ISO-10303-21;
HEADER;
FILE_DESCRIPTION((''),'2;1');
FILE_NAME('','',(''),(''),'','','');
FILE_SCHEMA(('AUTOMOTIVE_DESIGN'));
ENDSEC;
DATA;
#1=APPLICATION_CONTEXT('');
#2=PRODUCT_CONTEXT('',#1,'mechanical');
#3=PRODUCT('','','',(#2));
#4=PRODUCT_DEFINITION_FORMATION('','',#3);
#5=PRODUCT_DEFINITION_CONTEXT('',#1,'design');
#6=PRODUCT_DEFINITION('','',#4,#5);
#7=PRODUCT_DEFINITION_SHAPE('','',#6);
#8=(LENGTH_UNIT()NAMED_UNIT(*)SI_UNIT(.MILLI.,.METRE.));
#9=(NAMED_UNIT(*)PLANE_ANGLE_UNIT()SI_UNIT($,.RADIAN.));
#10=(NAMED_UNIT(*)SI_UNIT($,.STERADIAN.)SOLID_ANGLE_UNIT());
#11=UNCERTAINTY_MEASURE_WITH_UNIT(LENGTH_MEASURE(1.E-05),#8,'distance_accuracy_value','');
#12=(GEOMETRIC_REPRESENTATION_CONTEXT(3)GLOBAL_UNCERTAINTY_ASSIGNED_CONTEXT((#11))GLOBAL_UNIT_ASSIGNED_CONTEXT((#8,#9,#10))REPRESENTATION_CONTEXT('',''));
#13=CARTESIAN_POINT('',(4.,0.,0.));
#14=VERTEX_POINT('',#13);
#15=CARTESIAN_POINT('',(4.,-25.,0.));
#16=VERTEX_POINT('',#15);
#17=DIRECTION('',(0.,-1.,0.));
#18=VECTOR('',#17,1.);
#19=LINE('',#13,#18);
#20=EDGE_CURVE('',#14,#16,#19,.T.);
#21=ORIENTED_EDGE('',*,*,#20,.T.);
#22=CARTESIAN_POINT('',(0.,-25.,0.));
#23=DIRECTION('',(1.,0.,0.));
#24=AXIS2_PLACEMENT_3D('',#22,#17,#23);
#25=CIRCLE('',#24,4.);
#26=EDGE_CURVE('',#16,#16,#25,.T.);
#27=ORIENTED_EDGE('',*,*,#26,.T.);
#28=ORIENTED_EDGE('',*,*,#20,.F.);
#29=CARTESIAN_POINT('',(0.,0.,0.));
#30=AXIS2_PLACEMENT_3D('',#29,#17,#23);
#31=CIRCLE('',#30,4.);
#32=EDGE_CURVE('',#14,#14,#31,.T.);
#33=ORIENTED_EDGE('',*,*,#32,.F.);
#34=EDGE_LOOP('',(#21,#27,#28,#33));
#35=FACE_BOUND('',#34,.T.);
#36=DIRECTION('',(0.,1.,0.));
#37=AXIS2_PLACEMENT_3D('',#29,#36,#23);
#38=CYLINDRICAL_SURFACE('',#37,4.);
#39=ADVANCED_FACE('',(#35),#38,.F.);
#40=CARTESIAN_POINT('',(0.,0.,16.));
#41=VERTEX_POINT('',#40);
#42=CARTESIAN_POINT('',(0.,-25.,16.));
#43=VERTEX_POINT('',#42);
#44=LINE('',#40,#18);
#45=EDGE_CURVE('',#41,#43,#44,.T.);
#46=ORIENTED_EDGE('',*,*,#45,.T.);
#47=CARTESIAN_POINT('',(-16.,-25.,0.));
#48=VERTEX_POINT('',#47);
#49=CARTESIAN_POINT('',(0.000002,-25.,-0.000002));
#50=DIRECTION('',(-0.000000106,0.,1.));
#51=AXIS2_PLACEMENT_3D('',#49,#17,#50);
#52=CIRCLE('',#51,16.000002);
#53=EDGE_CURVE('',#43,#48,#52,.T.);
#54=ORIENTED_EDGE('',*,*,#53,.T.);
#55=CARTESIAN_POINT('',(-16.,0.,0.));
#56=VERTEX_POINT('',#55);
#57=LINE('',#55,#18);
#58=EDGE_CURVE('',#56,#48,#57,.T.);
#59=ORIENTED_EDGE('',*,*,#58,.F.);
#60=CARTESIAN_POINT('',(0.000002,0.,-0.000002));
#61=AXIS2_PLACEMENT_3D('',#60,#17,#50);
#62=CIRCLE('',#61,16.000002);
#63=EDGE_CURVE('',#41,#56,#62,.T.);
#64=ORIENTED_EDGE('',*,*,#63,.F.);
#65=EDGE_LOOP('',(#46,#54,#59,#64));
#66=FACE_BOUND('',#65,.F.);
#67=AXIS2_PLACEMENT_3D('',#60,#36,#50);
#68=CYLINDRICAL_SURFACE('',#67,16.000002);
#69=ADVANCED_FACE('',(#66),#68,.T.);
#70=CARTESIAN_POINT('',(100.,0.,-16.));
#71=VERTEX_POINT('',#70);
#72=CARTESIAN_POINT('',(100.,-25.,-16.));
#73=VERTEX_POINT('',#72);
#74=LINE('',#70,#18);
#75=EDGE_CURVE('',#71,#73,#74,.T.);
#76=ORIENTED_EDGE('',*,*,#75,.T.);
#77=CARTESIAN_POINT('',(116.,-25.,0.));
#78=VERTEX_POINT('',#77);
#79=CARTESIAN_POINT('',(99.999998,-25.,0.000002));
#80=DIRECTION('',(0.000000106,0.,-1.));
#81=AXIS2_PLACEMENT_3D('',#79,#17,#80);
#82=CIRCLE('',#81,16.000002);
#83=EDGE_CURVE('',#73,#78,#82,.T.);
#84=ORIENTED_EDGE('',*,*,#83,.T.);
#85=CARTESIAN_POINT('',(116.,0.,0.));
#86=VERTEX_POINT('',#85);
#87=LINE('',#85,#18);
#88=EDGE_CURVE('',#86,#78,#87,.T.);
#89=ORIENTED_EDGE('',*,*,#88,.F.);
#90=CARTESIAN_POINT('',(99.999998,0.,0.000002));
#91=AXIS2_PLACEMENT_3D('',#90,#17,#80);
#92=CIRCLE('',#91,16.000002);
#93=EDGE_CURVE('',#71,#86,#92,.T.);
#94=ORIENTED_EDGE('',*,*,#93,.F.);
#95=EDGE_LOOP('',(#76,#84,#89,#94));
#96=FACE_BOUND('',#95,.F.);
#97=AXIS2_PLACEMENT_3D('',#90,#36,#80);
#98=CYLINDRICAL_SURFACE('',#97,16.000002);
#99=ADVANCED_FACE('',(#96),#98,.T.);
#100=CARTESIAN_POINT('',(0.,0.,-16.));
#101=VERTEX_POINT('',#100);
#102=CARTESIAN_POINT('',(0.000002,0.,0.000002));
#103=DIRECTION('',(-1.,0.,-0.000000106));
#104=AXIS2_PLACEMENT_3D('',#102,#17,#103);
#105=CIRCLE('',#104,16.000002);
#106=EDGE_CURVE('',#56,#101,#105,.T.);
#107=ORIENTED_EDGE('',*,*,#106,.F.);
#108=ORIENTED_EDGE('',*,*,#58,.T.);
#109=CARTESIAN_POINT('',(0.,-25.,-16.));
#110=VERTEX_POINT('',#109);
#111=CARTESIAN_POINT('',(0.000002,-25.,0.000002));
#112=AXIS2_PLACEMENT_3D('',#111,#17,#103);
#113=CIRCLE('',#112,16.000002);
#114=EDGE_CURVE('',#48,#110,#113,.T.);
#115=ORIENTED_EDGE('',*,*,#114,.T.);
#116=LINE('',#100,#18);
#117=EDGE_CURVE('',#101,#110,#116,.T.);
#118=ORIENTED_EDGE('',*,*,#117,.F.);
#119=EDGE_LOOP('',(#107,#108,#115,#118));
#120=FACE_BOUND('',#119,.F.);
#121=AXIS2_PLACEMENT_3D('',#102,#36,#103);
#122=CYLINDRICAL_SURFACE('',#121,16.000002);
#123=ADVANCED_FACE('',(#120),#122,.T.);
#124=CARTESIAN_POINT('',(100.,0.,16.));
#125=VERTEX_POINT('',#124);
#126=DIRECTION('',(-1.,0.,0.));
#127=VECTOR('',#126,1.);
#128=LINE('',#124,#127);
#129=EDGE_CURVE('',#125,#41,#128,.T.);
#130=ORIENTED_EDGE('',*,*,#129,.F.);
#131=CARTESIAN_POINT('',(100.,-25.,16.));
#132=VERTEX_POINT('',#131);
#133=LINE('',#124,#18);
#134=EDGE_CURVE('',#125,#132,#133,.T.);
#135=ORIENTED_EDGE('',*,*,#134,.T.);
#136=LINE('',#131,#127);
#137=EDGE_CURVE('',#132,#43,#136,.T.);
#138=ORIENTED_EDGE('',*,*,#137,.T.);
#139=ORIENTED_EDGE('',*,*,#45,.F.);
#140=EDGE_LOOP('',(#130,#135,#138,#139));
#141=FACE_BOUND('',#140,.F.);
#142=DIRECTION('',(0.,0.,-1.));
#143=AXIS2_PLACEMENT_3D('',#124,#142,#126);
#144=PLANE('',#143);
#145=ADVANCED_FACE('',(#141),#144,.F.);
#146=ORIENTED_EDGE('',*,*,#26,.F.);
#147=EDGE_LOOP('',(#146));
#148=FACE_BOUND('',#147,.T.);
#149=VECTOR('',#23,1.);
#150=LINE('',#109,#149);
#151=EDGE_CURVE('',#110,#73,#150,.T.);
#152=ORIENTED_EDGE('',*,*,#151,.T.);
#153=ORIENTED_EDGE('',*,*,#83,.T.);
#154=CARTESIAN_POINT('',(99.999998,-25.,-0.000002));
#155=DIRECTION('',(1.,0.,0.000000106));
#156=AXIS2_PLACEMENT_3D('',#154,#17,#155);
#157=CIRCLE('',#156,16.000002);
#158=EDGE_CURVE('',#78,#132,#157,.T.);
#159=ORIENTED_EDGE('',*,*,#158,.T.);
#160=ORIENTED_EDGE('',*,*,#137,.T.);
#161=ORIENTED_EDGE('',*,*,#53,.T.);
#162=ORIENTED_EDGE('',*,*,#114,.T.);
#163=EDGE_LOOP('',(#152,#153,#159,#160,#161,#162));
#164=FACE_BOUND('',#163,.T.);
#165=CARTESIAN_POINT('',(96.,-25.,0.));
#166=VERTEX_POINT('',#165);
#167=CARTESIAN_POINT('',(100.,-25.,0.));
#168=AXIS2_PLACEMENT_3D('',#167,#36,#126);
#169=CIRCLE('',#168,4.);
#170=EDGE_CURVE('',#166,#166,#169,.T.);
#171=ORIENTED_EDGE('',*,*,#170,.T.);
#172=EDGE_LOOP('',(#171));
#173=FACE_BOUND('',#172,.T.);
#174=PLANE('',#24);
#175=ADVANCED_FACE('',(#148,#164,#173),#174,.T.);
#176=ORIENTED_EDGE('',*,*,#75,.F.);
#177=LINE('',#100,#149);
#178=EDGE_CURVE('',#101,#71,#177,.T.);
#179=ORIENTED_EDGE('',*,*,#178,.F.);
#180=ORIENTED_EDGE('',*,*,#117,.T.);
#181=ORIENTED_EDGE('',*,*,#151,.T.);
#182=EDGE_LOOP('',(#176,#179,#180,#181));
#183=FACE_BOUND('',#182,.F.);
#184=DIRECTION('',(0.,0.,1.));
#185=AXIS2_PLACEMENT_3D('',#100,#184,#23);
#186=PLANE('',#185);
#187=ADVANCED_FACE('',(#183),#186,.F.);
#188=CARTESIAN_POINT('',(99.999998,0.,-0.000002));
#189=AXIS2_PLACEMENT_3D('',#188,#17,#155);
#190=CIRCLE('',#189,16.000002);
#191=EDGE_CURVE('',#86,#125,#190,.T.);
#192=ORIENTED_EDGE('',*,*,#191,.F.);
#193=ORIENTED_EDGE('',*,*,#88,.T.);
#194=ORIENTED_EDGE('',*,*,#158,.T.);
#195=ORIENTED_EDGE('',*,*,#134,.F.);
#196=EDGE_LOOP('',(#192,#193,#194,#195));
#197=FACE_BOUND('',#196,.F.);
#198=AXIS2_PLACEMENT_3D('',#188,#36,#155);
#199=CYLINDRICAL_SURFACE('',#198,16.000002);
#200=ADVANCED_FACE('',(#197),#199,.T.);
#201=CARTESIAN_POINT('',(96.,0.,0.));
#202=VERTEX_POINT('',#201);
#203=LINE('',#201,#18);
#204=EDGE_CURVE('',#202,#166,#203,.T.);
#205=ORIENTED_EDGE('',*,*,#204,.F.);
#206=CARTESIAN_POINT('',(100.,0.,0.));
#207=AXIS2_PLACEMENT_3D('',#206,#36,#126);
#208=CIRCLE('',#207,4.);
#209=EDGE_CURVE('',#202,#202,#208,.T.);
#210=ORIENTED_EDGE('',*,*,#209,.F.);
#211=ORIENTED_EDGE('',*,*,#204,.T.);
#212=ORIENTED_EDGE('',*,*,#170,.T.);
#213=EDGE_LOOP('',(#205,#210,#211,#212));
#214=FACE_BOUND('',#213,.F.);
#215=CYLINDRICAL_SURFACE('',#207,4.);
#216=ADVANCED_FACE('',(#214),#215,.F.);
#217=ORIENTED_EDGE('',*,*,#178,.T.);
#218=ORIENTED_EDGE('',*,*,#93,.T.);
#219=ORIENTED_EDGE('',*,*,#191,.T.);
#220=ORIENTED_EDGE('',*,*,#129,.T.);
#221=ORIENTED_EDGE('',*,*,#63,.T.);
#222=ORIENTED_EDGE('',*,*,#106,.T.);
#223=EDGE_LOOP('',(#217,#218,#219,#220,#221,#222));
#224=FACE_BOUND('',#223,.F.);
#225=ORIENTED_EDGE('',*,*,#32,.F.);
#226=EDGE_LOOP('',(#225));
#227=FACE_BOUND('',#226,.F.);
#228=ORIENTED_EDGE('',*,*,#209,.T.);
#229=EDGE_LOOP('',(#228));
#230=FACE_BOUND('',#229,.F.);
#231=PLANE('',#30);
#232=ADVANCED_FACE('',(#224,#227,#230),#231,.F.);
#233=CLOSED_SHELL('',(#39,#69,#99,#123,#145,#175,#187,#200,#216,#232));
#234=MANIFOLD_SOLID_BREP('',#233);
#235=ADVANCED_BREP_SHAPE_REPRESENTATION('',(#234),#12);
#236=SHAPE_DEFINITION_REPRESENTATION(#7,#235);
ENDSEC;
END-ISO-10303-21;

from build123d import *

# Parameters (mm, degrees)
F0_R     = 4
F1_DEPTH = 25


with BuildPart() as f1:
    # F0 (on Front) → F1 (new body)
    with BuildSketch(Plane.XZ):
        Circle(F0_R)
        with BuildLine():
            ThreePointArc((104, 0), (100, 4), (96, 0))
            ThreePointArc((96, 0), (100, -4), (104, 0))
        make_face()
        with BuildLine():
            Line((100, 16), (0, 16))
            ThreePointArc((0, 16), (-11.313708, 11.313708), (-16, 0))
            ThreePointArc((-16, 0), (-11.313708, -11.313708), (0, -16))
            Line((0, -16), (100, -16))
            ThreePointArc((100, -16), (111.313708, -11.313708), (116, 0))
            ThreePointArc((116, 0), (111.313708, 11.313708), (100, 16))
        make_face()
        Circle(F0_R, mode=Mode.SUBTRACT)
        with BuildLine():
            ThreePointArc((104, 0), (100, -4), (96, 0))
            ThreePointArc((96, 0), (100, 4), (104, 0))
        make_face(mode=Mode.SUBTRACT)
    extrude(amount=F1_DEPTH)


solid = f1.part
